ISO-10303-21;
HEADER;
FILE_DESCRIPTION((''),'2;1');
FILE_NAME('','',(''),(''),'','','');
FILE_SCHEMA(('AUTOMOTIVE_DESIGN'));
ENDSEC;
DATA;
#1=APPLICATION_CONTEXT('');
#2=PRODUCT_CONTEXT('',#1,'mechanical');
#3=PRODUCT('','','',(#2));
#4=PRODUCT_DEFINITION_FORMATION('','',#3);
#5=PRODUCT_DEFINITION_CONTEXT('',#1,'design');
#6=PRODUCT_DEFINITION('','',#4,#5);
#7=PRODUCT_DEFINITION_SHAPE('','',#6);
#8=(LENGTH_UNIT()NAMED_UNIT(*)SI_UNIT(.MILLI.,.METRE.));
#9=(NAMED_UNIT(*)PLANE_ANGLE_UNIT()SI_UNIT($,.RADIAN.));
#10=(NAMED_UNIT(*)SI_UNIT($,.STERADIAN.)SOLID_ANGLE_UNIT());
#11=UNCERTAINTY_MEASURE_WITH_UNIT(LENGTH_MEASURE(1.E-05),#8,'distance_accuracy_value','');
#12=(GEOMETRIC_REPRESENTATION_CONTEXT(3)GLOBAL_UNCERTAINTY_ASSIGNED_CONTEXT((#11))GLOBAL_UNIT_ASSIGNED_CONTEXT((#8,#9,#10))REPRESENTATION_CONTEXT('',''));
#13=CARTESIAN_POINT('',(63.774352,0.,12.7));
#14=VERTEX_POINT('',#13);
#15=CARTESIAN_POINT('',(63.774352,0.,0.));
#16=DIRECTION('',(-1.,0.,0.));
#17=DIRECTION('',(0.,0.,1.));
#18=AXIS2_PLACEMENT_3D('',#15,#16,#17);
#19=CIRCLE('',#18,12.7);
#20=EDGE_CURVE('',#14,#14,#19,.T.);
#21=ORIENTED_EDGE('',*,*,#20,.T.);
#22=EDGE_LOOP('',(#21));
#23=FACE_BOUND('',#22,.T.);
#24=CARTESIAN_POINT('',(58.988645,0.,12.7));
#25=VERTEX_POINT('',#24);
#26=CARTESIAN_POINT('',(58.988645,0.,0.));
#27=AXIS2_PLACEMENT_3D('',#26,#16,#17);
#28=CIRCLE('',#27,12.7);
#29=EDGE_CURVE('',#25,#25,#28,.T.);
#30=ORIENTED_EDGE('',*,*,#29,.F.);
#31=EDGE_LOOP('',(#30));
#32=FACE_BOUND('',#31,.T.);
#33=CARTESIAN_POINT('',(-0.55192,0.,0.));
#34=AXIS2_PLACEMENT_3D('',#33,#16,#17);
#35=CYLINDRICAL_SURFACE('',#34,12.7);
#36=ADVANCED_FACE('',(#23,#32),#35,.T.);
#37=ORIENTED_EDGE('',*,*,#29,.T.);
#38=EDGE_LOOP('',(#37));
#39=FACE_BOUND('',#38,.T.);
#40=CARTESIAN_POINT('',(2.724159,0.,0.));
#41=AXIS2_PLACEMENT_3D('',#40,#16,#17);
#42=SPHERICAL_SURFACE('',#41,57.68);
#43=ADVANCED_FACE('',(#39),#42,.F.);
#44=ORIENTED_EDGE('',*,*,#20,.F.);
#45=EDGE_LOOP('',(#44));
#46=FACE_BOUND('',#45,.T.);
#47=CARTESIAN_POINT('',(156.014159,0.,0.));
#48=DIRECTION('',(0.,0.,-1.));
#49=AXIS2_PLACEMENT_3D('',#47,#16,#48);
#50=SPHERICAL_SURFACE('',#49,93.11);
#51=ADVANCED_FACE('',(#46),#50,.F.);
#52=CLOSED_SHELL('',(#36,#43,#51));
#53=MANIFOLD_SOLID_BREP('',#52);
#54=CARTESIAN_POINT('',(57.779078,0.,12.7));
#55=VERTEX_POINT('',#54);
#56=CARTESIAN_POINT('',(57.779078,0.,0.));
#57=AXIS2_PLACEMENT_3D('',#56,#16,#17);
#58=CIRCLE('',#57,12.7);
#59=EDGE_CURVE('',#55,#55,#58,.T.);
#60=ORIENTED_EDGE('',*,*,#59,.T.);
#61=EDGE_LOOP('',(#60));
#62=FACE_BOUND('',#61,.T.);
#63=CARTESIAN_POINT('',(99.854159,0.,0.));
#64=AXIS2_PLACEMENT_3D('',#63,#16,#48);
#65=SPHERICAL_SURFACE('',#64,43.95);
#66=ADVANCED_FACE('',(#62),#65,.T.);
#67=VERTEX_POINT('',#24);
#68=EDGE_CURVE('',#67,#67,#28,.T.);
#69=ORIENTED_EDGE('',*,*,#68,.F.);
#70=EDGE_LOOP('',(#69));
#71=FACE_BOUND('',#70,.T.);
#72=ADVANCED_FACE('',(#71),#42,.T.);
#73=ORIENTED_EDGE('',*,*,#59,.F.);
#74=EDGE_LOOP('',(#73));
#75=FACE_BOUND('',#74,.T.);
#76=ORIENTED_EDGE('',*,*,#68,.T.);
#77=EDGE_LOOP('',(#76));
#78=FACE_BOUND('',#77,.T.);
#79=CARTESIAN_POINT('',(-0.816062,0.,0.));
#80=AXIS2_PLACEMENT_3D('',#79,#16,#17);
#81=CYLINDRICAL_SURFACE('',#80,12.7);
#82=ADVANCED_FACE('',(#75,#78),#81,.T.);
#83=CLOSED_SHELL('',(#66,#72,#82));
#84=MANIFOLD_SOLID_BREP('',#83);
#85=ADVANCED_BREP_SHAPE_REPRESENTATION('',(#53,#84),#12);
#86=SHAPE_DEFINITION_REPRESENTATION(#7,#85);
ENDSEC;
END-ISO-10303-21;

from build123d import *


with BuildPart() as part:
    # 草图1 one side → 旋转1 (revolve)
    with BuildSketch(Plane(origin=(0, 0, 0), x_dir=(1, 0, 0), z_dir=(0, 1, 0)), mode=Mode.PRIVATE) as revolve_1_sk:
        with BuildLine():
            ThreePointArc((57.779077555, 12.7), (56.375415363, 6.41882619), (55.904159254, 0))
            Line((55.904159254, 0), (60.404159254, 0))
            ThreePointArc((60.404159254, 0), (60.049188518, 6.389320768), (58.988645388, 12.7))
            Line((58.988645388, 12.7), (57.779077555, 12.7))
        make_face()
    revolve(revolve_1_sk.sketch.rotate(Axis((-0.816062176, 0, 0), (1, 0, 0)), 180), axis=Axis((-0.816062176, 0, 0), (1, 0, 0)))  # turned: the seam where the file's is


with BuildPart() as body_2:
    # 草图2 one side → 旋转2 (revolve)
    with BuildSketch(Plane(origin=(0, 0, 0), x_dir=(1, 0, 0), z_dir=(0, 1, 0)), mode=Mode.PRIVATE) as revolve_2_sk:
        with BuildLine():
            Line((63.774351687, 12.7), (58.988645388, 12.7))
            ThreePointArc((58.988645388, 12.7), (60.049188518, 6.389320768), (60.404159254, 0))
            Line((60.404159254, 0), (62.904159254, 0))
            ThreePointArc((62.904159254, 0), (63.121962104, 6.364888744), (63.774351687, 12.7))
        make_face()
    revolve(revolve_2_sk.sketch.rotate(Axis((-0.551919993, 0, 0), (1, 0, 0)), 180), axis=Axis((-0.551919993, 0, 0), (1, 0, 0)))  # turned: the seam where the file's is


solid = Compound([part.part, body_2.part])
